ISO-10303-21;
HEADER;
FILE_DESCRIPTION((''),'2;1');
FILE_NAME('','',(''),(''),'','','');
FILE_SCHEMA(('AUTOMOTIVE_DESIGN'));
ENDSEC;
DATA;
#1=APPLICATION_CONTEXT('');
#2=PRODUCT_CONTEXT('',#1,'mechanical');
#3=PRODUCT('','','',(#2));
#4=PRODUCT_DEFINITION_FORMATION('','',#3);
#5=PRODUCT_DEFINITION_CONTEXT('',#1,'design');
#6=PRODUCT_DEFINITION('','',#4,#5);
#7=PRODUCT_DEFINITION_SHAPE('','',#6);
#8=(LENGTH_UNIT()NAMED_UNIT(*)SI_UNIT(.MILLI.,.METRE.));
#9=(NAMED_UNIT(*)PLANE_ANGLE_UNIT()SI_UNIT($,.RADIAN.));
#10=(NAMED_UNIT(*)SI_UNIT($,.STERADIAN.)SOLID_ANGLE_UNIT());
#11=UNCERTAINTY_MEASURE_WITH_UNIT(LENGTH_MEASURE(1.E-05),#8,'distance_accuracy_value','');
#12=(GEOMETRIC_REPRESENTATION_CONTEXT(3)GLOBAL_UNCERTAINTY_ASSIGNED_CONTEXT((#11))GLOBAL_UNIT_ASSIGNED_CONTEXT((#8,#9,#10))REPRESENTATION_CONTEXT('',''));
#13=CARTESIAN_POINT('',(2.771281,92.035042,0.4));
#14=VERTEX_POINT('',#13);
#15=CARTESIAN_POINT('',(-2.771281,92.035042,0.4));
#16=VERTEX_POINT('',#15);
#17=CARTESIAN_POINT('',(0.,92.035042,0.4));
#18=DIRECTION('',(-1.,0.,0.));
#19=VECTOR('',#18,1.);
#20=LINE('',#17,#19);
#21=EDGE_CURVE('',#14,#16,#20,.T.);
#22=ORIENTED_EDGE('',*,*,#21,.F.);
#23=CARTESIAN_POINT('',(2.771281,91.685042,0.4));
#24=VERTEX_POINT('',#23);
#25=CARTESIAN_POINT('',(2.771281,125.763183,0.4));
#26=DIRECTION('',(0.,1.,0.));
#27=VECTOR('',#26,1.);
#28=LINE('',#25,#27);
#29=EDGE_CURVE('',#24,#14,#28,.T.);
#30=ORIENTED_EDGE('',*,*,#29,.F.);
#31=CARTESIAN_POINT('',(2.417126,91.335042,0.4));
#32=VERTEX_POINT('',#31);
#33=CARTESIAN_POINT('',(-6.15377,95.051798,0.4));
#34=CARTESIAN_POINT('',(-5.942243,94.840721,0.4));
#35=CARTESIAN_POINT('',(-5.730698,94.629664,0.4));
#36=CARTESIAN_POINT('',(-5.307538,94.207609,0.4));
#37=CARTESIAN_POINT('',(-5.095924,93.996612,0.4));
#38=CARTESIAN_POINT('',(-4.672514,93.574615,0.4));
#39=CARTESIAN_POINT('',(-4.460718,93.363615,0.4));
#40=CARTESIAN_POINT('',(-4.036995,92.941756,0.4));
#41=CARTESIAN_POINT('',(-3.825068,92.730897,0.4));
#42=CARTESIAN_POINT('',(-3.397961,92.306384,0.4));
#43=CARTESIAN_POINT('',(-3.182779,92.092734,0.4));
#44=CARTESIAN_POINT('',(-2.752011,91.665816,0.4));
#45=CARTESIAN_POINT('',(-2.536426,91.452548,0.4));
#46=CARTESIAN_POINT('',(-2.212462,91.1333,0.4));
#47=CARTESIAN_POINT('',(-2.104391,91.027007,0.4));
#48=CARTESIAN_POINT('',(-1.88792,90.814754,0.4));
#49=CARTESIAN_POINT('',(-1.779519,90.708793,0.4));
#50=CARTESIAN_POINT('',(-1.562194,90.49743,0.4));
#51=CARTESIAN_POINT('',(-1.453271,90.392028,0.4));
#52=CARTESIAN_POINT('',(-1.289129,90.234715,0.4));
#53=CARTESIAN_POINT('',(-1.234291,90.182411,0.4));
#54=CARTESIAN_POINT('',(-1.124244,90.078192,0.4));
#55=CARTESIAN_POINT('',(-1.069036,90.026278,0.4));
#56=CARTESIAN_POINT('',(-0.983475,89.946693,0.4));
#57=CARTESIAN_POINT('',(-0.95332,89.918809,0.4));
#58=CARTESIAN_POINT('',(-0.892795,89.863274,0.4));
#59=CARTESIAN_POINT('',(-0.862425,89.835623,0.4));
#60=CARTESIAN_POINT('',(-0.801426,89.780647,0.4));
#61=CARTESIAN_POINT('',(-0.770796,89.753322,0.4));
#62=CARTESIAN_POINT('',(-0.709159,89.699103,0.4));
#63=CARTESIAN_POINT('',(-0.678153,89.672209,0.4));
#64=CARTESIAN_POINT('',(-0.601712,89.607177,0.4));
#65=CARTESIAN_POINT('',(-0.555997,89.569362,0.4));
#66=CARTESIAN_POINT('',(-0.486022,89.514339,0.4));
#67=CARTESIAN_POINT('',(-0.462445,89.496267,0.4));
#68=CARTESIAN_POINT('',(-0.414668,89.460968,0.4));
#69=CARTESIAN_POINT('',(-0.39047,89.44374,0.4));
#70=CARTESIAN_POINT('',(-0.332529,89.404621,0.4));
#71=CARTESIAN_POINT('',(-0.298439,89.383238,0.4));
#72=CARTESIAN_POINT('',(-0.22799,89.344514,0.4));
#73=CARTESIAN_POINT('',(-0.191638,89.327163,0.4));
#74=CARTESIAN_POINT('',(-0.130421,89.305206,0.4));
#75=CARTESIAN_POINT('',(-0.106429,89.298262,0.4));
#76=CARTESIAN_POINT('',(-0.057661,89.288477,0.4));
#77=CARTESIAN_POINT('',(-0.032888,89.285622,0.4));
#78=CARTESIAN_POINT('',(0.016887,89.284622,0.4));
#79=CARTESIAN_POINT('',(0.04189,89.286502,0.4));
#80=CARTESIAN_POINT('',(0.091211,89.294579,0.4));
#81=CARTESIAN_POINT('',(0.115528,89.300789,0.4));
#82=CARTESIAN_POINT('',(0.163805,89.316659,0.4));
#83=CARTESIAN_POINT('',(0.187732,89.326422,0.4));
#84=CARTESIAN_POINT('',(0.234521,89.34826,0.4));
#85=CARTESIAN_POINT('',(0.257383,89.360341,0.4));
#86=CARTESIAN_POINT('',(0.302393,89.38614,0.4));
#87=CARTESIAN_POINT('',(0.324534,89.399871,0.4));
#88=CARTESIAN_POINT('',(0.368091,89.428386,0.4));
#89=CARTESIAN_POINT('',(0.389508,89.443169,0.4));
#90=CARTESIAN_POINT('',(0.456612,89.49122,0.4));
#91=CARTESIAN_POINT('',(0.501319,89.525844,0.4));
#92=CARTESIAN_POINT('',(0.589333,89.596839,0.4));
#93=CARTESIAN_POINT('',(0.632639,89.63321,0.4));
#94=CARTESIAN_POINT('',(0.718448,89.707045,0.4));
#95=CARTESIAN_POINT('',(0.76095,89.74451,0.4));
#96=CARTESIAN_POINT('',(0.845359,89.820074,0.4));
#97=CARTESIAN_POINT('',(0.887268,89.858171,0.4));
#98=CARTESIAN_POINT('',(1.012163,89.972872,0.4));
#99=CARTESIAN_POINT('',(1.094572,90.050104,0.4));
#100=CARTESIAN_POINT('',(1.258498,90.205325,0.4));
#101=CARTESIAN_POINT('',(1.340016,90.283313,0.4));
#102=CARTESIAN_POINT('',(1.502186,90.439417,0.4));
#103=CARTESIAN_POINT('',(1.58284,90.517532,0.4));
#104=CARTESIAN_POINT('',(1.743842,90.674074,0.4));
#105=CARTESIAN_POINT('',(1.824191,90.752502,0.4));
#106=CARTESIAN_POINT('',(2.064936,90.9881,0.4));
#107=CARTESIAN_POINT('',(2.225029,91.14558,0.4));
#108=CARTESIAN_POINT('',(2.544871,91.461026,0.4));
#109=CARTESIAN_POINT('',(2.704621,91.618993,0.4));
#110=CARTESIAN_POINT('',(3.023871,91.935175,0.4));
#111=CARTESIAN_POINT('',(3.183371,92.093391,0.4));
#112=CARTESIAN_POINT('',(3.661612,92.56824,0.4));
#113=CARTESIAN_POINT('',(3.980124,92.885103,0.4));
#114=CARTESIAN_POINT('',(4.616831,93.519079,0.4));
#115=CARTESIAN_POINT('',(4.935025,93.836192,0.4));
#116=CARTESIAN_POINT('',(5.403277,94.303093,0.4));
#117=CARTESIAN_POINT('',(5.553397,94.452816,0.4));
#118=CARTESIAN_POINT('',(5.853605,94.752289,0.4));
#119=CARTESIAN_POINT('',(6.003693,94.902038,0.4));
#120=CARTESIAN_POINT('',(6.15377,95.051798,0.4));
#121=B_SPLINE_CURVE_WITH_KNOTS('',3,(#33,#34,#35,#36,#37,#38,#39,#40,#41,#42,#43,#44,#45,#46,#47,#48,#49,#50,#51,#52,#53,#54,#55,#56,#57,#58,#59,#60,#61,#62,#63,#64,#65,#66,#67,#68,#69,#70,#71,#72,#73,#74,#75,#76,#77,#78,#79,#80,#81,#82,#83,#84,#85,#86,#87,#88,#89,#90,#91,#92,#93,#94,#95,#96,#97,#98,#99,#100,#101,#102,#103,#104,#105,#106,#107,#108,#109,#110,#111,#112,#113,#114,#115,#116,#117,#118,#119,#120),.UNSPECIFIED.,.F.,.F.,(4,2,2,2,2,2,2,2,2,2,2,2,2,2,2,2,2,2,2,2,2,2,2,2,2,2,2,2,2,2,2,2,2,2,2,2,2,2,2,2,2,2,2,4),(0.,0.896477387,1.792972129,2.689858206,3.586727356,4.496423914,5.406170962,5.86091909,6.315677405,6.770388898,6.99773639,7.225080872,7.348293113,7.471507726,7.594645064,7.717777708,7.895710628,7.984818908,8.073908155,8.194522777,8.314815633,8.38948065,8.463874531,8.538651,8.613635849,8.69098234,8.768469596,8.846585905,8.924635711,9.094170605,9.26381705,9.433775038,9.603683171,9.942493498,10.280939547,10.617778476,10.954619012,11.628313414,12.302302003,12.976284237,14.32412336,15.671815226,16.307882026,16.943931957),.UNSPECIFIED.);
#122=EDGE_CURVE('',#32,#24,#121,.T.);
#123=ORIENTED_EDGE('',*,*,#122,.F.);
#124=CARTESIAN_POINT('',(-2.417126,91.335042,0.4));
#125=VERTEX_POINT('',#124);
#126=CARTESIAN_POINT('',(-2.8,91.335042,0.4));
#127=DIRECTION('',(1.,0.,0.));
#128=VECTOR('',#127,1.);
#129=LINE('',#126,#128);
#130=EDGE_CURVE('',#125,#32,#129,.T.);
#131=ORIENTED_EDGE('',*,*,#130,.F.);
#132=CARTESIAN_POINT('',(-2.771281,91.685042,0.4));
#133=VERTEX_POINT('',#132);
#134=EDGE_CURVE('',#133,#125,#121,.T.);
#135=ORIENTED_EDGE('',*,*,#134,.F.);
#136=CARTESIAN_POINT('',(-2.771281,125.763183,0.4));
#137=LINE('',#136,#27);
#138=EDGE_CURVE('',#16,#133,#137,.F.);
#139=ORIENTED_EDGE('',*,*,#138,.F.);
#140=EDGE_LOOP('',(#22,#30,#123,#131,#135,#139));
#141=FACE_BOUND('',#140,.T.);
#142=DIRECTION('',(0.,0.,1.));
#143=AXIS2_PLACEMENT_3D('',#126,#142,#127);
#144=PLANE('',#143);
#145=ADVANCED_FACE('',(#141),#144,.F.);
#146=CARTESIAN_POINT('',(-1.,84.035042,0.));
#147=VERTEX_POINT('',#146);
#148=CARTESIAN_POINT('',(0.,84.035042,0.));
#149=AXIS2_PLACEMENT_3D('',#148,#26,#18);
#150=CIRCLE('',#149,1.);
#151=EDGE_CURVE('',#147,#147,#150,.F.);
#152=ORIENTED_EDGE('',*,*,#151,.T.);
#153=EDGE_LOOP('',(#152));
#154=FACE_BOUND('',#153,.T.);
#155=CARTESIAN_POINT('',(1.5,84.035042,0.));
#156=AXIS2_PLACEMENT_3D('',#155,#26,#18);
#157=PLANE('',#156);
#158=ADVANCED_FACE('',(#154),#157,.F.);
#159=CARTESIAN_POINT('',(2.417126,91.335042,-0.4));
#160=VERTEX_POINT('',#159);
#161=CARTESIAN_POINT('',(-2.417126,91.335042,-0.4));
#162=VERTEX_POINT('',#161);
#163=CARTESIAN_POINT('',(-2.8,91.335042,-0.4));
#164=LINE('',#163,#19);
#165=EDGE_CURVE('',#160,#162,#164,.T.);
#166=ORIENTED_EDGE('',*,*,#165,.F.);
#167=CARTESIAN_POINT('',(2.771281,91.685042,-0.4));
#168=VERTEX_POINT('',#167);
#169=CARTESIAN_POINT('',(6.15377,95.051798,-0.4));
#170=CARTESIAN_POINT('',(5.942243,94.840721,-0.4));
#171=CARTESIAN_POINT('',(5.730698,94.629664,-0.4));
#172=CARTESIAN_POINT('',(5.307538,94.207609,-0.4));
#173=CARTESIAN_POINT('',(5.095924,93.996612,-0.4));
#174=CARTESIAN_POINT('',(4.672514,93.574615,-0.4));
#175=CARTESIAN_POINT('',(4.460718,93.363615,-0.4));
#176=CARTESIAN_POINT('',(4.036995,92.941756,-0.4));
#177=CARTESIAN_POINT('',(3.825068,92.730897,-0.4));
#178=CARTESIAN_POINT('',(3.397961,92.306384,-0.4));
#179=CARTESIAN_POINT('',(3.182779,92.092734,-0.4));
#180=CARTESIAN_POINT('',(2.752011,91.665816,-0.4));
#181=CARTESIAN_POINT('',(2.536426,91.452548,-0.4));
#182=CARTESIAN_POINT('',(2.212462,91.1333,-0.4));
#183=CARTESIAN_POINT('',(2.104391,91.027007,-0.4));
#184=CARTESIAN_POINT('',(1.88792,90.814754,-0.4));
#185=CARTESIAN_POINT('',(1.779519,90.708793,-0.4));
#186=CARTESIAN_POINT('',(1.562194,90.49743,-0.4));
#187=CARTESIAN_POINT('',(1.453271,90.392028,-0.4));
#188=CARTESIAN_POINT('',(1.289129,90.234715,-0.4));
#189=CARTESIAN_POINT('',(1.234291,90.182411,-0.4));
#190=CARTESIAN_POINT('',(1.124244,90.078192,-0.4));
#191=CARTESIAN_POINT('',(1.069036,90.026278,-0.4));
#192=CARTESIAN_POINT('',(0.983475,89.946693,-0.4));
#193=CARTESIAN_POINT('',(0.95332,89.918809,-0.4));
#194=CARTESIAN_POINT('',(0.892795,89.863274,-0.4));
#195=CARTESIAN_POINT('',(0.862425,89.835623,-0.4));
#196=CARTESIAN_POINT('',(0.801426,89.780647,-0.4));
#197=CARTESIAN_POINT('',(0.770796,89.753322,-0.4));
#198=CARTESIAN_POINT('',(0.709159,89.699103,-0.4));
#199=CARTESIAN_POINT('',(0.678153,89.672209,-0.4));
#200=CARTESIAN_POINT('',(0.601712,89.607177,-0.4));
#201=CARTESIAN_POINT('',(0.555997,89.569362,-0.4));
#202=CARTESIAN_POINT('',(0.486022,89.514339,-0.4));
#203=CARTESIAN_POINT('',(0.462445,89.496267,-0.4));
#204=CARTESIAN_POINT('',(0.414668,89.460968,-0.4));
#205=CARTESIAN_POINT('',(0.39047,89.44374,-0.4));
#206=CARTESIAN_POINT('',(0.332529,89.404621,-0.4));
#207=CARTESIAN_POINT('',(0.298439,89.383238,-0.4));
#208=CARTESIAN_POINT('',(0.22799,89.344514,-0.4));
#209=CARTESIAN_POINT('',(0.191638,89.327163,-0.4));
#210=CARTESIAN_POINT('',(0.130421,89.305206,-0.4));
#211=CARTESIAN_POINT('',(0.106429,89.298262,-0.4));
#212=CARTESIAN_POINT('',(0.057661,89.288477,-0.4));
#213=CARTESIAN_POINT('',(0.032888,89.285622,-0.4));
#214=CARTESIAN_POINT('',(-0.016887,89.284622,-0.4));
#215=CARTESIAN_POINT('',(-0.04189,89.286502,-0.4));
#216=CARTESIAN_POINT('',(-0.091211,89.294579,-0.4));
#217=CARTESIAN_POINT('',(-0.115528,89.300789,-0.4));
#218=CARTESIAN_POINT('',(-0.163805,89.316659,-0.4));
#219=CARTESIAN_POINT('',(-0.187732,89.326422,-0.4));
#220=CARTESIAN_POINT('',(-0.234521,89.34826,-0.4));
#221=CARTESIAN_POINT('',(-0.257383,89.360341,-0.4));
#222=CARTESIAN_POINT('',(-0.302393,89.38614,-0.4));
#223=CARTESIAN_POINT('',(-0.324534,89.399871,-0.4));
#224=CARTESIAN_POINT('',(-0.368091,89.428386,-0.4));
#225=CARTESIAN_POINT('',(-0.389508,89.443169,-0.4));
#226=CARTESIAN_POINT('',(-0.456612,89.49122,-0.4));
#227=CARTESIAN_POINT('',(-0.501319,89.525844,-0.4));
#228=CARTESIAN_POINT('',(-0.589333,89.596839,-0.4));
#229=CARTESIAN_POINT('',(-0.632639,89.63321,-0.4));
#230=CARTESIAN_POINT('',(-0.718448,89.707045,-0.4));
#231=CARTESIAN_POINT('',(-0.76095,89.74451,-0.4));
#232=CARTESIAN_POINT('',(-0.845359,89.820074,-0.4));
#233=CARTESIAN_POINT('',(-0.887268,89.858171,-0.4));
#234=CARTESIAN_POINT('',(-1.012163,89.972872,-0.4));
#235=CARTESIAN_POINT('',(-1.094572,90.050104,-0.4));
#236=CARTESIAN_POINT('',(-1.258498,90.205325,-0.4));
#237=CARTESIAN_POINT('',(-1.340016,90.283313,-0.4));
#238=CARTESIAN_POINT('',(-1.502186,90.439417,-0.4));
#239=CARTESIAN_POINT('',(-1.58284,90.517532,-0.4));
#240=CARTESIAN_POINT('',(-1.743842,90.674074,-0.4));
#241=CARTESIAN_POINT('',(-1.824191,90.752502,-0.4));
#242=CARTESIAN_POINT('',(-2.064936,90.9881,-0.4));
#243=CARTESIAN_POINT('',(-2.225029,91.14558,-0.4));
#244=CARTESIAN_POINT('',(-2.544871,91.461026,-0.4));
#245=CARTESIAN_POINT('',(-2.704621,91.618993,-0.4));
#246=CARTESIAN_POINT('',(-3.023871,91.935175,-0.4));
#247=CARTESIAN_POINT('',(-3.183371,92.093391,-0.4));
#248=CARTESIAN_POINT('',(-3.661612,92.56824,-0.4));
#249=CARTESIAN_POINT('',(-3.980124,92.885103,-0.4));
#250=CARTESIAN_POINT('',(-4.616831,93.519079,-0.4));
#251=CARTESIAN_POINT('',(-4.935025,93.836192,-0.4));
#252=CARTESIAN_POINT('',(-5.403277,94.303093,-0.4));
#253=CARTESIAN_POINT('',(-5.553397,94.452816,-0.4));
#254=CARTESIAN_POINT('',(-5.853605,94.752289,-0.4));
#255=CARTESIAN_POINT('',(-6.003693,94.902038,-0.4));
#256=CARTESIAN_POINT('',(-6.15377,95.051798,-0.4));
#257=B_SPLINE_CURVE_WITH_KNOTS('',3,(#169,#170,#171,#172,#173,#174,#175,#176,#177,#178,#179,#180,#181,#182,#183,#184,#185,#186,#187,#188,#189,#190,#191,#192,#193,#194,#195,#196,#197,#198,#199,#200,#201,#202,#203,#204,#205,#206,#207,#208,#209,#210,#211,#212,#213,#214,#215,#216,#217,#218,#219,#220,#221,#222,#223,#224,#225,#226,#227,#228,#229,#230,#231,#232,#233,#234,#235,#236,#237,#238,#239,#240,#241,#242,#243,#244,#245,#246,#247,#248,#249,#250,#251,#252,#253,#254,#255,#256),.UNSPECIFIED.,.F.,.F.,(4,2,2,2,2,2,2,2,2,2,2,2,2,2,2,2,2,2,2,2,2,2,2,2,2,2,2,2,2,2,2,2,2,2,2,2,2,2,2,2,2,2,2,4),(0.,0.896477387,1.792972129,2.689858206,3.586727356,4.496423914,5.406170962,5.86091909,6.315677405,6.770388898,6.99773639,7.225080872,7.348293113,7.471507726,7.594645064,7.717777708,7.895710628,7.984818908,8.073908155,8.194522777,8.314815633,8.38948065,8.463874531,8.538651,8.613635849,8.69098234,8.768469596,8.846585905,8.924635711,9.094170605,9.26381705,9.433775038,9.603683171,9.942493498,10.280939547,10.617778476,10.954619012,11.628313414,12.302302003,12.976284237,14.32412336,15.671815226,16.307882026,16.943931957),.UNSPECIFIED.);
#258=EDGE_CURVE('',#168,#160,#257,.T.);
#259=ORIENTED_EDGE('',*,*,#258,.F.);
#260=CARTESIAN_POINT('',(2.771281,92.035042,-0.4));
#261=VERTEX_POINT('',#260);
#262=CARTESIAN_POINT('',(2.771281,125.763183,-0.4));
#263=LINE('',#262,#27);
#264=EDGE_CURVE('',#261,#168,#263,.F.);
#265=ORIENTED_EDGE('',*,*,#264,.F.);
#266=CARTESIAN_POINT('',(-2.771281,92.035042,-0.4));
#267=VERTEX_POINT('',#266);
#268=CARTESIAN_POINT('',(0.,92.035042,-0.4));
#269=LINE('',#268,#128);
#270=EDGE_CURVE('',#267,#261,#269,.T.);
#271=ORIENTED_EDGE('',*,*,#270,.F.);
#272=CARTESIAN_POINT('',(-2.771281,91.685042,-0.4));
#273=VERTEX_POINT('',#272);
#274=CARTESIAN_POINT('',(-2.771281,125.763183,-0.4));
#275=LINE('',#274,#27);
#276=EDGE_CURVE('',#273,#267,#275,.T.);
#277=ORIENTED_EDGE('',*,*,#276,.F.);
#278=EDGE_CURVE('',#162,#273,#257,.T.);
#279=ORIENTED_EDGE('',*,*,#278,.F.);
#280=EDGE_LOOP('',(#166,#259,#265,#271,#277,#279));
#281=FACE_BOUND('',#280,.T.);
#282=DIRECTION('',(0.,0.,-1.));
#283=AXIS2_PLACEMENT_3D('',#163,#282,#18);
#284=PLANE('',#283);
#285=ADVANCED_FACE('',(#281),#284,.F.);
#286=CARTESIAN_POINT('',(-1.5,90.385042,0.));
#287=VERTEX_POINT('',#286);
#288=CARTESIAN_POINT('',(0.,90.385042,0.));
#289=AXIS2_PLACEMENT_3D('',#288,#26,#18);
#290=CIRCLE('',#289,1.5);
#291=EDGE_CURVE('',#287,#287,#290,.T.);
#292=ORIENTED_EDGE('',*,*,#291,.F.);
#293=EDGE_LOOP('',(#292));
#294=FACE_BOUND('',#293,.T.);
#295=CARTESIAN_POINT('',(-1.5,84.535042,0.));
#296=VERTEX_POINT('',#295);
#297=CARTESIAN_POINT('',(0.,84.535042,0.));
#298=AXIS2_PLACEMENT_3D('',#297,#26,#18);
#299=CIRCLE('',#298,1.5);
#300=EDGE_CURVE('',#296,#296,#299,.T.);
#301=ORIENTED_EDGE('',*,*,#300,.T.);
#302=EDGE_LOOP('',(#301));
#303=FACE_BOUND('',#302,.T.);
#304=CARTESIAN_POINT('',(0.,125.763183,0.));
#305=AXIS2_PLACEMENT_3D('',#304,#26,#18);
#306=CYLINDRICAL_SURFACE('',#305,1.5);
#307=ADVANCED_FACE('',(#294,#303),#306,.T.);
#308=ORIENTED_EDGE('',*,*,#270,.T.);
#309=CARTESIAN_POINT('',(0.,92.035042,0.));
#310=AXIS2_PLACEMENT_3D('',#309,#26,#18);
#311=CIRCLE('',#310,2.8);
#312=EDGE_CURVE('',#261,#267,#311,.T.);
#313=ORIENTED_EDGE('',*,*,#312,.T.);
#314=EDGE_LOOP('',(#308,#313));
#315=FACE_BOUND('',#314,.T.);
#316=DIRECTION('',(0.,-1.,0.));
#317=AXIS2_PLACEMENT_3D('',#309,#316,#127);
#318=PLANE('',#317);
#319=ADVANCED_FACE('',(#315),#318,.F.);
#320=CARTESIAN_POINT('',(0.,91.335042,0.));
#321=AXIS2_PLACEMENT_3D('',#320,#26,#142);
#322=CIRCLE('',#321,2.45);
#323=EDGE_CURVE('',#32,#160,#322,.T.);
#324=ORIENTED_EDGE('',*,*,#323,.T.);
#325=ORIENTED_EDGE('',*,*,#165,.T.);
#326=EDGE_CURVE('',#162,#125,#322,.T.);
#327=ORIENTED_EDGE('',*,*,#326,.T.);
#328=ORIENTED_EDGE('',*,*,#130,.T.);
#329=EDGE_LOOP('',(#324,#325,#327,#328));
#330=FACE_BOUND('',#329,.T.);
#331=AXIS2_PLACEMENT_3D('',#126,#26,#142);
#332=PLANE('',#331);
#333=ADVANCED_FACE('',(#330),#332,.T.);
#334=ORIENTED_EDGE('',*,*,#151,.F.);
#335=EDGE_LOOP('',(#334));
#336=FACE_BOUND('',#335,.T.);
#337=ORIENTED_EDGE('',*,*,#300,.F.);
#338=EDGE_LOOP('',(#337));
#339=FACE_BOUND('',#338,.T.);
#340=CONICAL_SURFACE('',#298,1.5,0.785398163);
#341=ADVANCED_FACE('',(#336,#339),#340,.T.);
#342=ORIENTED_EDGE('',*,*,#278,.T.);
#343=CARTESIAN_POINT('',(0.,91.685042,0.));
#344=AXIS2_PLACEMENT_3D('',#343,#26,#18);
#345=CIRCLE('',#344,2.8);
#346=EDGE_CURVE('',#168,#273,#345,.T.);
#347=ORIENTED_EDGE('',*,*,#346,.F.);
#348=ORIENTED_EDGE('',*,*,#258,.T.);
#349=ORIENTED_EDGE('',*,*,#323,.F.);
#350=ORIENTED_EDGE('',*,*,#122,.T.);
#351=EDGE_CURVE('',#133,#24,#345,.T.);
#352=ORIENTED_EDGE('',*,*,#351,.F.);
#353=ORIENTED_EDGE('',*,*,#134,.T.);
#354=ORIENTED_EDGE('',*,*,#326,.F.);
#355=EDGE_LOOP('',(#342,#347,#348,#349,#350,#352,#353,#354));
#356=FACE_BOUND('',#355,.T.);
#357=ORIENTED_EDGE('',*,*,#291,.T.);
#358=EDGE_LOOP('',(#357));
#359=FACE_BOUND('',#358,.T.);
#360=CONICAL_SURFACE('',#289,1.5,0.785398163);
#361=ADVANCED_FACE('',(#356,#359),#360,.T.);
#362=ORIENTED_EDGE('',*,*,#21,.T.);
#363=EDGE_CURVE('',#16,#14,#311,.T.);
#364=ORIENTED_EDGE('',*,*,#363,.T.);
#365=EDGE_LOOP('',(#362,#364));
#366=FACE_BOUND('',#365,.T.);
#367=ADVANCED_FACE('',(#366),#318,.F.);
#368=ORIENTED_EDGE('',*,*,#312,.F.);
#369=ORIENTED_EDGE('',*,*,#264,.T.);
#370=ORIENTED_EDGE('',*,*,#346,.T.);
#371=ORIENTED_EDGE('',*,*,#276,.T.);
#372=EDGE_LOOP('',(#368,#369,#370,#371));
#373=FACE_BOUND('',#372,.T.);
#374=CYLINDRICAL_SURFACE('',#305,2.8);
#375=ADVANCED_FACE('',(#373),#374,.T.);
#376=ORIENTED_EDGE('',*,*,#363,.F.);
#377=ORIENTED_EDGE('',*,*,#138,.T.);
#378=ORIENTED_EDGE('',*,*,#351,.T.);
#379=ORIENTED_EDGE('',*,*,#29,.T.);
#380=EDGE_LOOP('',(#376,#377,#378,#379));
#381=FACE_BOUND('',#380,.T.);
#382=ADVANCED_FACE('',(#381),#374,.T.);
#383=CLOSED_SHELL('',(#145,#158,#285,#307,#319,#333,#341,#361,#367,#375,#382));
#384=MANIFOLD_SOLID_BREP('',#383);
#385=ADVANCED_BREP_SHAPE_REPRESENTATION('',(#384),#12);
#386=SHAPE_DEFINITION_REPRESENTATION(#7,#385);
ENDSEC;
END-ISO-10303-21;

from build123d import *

# Parameters (mm, degrees)
SKETCH_13_W         = 5.6
SKETCH_13_H         = 0.8
CUT_EXTRUDE_9_DEPTH = 0.7
CHAMFER_1_SIZE      = 0.5


with BuildPart() as part:
    # Эскиз1 → Повернуть1 (revolve)
    with BuildSketch(Plane.XY):
        Polygon((0, 92.035042223), (0, 84.035042223), (1.5, 84.035042223), (1.5, 90.385042223), (2.8, 91.685042223), (2.8, 92.035042223), align=None)
    revolve(axis=Axis((0, 125.763182898, 0), (0, -1, 0)))

    # Эскиз13 → Вырез-Вытянуть9 (cut)
    with BuildSketch(Plane(origin=(0, 92.035042223, 0), x_dir=(-1, 0, 0), z_dir=(0, 1, 0))):
        Rectangle(SKETCH_13_W, SKETCH_13_H)
    extrude(amount=-CUT_EXTRUDE_9_DEPTH, mode=Mode.SUBTRACT)

    # Фаска1
    chamfer_1_edges = [part.edges().sort_by_distance(p)[0] for p in [
        (-1.5, 84.035042223, 0),
    ]]
    chamfer(chamfer_1_edges, length=CHAMFER_1_SIZE)


solid = part.part
